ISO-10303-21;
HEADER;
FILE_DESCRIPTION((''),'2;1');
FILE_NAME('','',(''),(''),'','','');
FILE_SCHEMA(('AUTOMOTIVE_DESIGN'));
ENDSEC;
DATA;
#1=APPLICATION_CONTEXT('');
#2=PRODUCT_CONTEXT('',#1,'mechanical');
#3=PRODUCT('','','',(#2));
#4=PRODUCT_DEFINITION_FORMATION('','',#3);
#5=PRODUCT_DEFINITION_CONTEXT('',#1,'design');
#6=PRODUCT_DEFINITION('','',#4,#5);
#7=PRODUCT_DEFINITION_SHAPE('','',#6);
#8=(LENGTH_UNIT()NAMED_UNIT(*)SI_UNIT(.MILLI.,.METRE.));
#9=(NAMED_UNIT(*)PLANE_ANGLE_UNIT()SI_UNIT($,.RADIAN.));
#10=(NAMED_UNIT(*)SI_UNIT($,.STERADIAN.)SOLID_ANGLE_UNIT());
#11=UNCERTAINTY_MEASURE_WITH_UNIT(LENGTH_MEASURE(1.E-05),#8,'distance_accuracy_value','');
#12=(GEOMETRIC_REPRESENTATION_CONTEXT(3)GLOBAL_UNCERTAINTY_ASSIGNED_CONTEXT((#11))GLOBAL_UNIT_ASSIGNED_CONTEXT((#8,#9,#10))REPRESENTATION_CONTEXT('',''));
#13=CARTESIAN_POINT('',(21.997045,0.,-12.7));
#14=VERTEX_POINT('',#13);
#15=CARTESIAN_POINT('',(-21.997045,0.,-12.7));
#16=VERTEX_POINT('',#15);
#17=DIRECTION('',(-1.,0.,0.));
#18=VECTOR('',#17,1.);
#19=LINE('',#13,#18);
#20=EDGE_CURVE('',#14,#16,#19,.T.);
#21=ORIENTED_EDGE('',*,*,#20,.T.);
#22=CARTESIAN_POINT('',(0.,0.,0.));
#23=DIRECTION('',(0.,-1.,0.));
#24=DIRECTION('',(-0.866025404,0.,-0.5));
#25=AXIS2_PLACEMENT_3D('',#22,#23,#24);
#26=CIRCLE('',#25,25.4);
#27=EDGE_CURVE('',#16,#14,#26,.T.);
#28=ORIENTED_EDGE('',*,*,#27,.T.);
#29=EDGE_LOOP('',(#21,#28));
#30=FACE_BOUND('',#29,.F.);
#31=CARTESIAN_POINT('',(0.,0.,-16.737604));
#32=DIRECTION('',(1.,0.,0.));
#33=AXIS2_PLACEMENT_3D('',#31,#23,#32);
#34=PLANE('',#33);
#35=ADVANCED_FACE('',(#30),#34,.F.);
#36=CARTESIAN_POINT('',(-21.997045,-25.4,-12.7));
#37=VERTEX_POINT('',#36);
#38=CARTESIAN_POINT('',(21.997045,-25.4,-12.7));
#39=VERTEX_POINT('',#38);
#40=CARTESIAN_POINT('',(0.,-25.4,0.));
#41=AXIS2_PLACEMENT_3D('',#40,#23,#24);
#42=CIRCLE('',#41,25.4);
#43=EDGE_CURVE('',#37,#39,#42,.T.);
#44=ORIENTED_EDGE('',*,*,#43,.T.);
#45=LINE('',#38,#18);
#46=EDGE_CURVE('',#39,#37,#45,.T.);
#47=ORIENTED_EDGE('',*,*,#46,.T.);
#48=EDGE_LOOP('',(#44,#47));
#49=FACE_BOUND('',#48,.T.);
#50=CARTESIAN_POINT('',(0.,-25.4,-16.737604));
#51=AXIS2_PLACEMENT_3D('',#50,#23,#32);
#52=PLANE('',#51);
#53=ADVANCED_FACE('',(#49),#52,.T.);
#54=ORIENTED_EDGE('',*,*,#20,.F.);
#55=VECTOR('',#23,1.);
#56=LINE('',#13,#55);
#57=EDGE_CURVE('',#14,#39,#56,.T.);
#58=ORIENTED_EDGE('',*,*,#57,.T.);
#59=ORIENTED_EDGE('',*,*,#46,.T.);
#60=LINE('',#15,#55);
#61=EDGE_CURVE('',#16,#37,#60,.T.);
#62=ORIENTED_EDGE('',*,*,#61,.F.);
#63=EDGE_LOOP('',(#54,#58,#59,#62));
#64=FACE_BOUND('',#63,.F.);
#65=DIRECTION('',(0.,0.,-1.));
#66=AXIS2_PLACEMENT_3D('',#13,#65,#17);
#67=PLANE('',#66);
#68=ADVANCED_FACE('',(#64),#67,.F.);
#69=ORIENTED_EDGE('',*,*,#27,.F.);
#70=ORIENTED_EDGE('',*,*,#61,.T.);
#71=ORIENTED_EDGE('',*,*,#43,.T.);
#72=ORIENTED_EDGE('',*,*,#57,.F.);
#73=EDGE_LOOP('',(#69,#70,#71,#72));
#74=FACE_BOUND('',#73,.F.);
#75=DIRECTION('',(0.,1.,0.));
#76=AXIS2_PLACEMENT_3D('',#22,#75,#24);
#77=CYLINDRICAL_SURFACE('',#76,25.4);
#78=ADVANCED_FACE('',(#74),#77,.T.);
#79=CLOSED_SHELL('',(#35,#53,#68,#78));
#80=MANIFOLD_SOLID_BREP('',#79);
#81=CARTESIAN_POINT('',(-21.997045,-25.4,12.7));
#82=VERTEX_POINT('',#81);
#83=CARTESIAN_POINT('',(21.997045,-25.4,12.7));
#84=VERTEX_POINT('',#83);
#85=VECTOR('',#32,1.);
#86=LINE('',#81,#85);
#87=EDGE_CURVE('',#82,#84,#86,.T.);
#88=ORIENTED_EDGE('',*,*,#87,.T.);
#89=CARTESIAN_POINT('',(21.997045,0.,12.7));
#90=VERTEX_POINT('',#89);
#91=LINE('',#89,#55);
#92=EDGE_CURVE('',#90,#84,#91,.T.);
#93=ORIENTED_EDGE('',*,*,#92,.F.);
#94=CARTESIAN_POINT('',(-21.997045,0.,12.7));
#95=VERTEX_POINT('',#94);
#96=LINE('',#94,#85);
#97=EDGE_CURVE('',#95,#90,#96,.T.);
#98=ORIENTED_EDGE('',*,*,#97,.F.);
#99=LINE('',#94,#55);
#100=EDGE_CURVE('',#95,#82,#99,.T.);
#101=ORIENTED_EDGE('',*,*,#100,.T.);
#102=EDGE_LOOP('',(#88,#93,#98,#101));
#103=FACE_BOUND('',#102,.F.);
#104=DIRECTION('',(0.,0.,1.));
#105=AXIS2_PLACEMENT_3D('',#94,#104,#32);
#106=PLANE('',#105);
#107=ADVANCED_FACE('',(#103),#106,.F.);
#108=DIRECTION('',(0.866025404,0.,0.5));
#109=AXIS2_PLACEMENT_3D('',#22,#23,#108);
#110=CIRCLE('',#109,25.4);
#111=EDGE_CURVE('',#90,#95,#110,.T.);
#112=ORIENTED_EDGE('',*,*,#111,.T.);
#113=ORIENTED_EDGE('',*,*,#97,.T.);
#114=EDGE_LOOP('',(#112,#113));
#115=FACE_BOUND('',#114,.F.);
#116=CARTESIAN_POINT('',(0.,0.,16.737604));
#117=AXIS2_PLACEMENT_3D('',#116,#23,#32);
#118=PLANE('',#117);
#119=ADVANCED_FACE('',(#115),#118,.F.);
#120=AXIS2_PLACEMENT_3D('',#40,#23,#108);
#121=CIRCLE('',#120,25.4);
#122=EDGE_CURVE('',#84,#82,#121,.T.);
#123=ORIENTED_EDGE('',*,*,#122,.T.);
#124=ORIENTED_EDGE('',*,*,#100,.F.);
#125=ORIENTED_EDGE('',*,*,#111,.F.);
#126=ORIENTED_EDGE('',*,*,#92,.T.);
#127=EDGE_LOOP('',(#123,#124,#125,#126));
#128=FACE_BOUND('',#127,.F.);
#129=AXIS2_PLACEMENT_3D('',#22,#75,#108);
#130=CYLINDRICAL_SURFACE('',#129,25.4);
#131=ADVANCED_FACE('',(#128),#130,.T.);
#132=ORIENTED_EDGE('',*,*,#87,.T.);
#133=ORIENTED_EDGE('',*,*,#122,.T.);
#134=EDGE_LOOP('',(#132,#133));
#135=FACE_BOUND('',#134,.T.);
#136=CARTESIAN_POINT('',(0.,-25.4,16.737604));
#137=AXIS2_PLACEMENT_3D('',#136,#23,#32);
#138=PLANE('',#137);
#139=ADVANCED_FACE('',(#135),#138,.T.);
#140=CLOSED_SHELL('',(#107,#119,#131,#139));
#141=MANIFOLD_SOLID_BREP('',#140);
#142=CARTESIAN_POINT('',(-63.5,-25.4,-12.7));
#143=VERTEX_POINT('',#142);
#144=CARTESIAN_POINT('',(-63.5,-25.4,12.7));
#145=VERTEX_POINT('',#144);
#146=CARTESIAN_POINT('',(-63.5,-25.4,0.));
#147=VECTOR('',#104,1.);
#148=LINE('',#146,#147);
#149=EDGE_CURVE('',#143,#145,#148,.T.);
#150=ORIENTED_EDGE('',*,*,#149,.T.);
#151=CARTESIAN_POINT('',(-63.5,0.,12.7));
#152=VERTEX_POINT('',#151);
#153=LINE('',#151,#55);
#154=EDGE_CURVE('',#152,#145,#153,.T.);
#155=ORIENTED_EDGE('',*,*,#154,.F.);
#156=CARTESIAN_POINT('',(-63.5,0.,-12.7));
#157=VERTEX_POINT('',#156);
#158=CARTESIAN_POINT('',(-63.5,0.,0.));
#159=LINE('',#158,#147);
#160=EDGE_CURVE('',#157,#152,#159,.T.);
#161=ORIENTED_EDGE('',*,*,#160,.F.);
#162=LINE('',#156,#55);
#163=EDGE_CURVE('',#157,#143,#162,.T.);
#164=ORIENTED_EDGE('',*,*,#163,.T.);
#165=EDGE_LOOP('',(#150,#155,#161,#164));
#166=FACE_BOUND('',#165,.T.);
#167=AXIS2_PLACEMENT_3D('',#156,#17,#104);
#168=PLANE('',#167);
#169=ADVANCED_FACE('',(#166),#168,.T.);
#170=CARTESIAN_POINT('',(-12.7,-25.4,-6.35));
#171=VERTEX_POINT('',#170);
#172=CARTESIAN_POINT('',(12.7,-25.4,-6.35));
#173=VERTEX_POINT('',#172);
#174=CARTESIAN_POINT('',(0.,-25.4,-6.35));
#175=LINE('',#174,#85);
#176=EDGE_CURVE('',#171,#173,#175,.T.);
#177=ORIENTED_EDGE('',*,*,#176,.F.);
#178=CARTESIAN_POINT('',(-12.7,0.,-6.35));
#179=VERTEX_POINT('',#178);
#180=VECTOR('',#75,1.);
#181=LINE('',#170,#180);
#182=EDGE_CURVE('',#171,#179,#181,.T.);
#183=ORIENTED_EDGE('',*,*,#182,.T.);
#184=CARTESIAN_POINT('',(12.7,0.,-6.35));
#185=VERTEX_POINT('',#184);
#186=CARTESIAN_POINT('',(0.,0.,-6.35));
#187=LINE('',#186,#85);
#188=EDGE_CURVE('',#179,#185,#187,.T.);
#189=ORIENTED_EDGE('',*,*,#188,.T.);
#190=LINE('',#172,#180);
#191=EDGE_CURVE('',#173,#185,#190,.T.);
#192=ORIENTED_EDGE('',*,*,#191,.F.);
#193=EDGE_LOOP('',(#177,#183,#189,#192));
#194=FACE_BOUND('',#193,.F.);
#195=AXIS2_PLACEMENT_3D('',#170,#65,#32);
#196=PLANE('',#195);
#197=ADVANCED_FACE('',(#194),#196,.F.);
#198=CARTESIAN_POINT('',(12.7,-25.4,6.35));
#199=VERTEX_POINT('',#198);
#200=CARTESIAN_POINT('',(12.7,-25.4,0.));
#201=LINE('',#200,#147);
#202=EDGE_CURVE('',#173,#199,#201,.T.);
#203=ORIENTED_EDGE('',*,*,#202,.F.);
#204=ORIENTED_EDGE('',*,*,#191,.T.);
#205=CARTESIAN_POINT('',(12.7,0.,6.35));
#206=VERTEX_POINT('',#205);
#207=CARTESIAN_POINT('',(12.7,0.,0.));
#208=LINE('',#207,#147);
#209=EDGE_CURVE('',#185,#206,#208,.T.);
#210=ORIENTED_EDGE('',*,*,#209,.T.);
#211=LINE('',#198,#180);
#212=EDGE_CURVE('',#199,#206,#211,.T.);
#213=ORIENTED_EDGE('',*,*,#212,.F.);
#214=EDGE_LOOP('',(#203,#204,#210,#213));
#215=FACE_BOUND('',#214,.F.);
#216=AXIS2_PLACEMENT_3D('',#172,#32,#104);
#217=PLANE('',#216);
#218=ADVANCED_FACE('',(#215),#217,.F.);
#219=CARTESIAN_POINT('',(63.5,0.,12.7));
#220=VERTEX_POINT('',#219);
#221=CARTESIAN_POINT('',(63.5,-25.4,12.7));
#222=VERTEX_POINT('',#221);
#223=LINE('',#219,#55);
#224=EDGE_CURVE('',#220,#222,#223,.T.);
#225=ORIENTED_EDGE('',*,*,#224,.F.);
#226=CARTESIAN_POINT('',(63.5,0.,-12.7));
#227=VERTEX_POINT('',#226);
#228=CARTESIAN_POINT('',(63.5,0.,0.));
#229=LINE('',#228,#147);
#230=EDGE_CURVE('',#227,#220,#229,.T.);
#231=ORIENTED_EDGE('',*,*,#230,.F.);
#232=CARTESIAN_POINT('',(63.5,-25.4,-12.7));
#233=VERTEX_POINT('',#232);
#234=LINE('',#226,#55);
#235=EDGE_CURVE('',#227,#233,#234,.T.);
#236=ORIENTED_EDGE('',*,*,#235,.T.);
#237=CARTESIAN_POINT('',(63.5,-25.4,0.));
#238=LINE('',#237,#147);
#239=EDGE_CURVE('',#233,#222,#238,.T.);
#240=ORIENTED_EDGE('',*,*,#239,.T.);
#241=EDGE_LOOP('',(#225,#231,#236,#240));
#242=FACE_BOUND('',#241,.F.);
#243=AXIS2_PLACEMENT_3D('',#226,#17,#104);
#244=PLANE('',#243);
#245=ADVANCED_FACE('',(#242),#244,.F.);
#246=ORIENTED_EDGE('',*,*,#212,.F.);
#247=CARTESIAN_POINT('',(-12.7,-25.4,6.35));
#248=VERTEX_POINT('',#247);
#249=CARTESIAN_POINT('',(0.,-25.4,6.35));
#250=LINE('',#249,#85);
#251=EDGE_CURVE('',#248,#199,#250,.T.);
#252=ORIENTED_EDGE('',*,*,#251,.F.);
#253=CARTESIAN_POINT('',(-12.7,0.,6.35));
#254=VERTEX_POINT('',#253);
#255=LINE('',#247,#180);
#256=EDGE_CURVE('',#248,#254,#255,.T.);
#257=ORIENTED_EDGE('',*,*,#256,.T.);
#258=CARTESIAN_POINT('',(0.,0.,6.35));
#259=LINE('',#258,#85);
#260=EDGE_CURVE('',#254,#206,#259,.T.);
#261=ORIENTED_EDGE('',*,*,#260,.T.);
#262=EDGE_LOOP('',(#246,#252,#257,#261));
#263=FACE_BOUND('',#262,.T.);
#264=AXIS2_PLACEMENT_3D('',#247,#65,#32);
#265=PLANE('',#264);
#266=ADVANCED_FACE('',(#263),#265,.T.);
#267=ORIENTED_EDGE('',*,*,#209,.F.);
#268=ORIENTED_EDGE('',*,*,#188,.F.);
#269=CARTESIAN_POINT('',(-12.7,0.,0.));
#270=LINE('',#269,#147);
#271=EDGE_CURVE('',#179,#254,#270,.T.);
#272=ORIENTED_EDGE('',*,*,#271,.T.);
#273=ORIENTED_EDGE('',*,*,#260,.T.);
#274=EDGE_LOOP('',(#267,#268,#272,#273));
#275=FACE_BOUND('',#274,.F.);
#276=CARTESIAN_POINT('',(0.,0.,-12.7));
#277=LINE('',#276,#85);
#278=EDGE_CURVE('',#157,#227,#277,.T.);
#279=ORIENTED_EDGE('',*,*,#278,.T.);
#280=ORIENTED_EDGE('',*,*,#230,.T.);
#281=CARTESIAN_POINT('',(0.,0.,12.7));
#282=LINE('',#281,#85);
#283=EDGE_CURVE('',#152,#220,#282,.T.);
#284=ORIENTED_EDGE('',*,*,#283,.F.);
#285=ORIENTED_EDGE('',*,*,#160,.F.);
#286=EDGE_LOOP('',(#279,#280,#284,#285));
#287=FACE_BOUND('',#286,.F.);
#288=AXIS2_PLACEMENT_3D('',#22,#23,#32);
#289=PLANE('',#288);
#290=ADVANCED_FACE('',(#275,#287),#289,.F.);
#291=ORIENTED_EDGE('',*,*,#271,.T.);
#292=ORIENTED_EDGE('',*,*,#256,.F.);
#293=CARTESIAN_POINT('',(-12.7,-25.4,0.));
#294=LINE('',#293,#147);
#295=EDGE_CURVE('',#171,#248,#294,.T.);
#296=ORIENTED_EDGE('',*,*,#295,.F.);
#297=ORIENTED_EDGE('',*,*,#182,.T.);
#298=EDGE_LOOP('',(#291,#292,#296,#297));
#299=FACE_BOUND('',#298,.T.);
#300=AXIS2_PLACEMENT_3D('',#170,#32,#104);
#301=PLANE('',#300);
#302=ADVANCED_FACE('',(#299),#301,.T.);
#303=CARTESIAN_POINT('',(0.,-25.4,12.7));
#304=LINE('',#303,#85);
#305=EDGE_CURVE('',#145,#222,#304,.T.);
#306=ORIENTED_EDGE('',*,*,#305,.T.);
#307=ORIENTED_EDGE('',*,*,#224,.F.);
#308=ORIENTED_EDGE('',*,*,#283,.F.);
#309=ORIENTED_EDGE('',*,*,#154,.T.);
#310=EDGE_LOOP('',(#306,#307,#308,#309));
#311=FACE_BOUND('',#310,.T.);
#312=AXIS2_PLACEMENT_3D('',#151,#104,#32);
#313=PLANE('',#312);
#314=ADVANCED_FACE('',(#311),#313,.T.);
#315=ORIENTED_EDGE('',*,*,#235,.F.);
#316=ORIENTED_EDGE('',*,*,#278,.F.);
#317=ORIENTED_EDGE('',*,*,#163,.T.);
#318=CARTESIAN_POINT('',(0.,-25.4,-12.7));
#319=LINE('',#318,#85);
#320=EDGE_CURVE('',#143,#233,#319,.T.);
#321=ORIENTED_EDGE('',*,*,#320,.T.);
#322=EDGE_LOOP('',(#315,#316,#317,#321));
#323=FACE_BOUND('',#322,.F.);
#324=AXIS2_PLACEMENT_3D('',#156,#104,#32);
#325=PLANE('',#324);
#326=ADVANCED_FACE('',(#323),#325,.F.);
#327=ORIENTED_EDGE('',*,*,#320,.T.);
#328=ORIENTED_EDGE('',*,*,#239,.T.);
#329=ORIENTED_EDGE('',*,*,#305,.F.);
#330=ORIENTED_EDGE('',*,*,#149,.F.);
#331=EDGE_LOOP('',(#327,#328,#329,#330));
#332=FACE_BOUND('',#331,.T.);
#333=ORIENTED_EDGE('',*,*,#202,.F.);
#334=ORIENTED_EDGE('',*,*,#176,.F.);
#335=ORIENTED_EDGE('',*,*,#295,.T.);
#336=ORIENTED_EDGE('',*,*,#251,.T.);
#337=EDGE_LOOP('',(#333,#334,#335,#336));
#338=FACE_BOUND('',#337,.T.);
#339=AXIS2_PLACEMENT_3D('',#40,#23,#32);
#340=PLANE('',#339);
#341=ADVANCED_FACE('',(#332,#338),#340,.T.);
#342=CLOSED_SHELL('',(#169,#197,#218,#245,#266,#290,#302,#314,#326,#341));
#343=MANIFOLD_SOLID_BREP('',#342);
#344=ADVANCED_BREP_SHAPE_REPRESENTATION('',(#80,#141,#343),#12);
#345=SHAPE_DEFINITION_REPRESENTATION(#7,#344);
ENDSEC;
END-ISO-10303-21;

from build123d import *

# Parameters (mm, degrees)
F0_W     = 127
F0_H     = 25.4
F2_DEPTH = 25.4
F3_W     = 25.4
F3_H     = 12.7
F4_DEPTH = 25.4


with BuildPart() as f2:
    # F0 (on Front) → F2 (new body)
    with BuildSketch(Plane.XZ):
        Rectangle(F0_W, F0_H)
    extrude(amount=F2_DEPTH)

    # F3 (on face) → F4 (cut)
    with BuildSketch(Plane.XZ.offset(25.4)):
        Rectangle(F3_W, F3_H)
    extrude(amount=-F4_DEPTH, mode=Mode.SUBTRACT)


with BuildPart() as f2b:
    # F1 (on face) → F2, piece 2 (new body)
    with BuildSketch(Plane.XZ):
        with BuildLine():
            Line((-21.9970452561, 12.7), (21.9970452561, 12.7))
            ThreePointArc((21.9970452561, 12.7), (0, 25.4), (-21.9970452561, 12.7))
        make_face()
    extrude(amount=F2_DEPTH)


with BuildPart() as f2c:
    # F1 (on face) → F2, piece 3 (new body)
    with BuildSketch(Plane.XZ):
        with BuildLine():
            ThreePointArc((-21.9970452561, -12.7), (0, -25.4), (21.9970452561, -12.7))
            Line((21.9970452561, -12.7), (-21.9970452561, -12.7))
        make_face()
    extrude(amount=F2_DEPTH)


solid = Compound([f2.part, f2b.part, f2c.part])
